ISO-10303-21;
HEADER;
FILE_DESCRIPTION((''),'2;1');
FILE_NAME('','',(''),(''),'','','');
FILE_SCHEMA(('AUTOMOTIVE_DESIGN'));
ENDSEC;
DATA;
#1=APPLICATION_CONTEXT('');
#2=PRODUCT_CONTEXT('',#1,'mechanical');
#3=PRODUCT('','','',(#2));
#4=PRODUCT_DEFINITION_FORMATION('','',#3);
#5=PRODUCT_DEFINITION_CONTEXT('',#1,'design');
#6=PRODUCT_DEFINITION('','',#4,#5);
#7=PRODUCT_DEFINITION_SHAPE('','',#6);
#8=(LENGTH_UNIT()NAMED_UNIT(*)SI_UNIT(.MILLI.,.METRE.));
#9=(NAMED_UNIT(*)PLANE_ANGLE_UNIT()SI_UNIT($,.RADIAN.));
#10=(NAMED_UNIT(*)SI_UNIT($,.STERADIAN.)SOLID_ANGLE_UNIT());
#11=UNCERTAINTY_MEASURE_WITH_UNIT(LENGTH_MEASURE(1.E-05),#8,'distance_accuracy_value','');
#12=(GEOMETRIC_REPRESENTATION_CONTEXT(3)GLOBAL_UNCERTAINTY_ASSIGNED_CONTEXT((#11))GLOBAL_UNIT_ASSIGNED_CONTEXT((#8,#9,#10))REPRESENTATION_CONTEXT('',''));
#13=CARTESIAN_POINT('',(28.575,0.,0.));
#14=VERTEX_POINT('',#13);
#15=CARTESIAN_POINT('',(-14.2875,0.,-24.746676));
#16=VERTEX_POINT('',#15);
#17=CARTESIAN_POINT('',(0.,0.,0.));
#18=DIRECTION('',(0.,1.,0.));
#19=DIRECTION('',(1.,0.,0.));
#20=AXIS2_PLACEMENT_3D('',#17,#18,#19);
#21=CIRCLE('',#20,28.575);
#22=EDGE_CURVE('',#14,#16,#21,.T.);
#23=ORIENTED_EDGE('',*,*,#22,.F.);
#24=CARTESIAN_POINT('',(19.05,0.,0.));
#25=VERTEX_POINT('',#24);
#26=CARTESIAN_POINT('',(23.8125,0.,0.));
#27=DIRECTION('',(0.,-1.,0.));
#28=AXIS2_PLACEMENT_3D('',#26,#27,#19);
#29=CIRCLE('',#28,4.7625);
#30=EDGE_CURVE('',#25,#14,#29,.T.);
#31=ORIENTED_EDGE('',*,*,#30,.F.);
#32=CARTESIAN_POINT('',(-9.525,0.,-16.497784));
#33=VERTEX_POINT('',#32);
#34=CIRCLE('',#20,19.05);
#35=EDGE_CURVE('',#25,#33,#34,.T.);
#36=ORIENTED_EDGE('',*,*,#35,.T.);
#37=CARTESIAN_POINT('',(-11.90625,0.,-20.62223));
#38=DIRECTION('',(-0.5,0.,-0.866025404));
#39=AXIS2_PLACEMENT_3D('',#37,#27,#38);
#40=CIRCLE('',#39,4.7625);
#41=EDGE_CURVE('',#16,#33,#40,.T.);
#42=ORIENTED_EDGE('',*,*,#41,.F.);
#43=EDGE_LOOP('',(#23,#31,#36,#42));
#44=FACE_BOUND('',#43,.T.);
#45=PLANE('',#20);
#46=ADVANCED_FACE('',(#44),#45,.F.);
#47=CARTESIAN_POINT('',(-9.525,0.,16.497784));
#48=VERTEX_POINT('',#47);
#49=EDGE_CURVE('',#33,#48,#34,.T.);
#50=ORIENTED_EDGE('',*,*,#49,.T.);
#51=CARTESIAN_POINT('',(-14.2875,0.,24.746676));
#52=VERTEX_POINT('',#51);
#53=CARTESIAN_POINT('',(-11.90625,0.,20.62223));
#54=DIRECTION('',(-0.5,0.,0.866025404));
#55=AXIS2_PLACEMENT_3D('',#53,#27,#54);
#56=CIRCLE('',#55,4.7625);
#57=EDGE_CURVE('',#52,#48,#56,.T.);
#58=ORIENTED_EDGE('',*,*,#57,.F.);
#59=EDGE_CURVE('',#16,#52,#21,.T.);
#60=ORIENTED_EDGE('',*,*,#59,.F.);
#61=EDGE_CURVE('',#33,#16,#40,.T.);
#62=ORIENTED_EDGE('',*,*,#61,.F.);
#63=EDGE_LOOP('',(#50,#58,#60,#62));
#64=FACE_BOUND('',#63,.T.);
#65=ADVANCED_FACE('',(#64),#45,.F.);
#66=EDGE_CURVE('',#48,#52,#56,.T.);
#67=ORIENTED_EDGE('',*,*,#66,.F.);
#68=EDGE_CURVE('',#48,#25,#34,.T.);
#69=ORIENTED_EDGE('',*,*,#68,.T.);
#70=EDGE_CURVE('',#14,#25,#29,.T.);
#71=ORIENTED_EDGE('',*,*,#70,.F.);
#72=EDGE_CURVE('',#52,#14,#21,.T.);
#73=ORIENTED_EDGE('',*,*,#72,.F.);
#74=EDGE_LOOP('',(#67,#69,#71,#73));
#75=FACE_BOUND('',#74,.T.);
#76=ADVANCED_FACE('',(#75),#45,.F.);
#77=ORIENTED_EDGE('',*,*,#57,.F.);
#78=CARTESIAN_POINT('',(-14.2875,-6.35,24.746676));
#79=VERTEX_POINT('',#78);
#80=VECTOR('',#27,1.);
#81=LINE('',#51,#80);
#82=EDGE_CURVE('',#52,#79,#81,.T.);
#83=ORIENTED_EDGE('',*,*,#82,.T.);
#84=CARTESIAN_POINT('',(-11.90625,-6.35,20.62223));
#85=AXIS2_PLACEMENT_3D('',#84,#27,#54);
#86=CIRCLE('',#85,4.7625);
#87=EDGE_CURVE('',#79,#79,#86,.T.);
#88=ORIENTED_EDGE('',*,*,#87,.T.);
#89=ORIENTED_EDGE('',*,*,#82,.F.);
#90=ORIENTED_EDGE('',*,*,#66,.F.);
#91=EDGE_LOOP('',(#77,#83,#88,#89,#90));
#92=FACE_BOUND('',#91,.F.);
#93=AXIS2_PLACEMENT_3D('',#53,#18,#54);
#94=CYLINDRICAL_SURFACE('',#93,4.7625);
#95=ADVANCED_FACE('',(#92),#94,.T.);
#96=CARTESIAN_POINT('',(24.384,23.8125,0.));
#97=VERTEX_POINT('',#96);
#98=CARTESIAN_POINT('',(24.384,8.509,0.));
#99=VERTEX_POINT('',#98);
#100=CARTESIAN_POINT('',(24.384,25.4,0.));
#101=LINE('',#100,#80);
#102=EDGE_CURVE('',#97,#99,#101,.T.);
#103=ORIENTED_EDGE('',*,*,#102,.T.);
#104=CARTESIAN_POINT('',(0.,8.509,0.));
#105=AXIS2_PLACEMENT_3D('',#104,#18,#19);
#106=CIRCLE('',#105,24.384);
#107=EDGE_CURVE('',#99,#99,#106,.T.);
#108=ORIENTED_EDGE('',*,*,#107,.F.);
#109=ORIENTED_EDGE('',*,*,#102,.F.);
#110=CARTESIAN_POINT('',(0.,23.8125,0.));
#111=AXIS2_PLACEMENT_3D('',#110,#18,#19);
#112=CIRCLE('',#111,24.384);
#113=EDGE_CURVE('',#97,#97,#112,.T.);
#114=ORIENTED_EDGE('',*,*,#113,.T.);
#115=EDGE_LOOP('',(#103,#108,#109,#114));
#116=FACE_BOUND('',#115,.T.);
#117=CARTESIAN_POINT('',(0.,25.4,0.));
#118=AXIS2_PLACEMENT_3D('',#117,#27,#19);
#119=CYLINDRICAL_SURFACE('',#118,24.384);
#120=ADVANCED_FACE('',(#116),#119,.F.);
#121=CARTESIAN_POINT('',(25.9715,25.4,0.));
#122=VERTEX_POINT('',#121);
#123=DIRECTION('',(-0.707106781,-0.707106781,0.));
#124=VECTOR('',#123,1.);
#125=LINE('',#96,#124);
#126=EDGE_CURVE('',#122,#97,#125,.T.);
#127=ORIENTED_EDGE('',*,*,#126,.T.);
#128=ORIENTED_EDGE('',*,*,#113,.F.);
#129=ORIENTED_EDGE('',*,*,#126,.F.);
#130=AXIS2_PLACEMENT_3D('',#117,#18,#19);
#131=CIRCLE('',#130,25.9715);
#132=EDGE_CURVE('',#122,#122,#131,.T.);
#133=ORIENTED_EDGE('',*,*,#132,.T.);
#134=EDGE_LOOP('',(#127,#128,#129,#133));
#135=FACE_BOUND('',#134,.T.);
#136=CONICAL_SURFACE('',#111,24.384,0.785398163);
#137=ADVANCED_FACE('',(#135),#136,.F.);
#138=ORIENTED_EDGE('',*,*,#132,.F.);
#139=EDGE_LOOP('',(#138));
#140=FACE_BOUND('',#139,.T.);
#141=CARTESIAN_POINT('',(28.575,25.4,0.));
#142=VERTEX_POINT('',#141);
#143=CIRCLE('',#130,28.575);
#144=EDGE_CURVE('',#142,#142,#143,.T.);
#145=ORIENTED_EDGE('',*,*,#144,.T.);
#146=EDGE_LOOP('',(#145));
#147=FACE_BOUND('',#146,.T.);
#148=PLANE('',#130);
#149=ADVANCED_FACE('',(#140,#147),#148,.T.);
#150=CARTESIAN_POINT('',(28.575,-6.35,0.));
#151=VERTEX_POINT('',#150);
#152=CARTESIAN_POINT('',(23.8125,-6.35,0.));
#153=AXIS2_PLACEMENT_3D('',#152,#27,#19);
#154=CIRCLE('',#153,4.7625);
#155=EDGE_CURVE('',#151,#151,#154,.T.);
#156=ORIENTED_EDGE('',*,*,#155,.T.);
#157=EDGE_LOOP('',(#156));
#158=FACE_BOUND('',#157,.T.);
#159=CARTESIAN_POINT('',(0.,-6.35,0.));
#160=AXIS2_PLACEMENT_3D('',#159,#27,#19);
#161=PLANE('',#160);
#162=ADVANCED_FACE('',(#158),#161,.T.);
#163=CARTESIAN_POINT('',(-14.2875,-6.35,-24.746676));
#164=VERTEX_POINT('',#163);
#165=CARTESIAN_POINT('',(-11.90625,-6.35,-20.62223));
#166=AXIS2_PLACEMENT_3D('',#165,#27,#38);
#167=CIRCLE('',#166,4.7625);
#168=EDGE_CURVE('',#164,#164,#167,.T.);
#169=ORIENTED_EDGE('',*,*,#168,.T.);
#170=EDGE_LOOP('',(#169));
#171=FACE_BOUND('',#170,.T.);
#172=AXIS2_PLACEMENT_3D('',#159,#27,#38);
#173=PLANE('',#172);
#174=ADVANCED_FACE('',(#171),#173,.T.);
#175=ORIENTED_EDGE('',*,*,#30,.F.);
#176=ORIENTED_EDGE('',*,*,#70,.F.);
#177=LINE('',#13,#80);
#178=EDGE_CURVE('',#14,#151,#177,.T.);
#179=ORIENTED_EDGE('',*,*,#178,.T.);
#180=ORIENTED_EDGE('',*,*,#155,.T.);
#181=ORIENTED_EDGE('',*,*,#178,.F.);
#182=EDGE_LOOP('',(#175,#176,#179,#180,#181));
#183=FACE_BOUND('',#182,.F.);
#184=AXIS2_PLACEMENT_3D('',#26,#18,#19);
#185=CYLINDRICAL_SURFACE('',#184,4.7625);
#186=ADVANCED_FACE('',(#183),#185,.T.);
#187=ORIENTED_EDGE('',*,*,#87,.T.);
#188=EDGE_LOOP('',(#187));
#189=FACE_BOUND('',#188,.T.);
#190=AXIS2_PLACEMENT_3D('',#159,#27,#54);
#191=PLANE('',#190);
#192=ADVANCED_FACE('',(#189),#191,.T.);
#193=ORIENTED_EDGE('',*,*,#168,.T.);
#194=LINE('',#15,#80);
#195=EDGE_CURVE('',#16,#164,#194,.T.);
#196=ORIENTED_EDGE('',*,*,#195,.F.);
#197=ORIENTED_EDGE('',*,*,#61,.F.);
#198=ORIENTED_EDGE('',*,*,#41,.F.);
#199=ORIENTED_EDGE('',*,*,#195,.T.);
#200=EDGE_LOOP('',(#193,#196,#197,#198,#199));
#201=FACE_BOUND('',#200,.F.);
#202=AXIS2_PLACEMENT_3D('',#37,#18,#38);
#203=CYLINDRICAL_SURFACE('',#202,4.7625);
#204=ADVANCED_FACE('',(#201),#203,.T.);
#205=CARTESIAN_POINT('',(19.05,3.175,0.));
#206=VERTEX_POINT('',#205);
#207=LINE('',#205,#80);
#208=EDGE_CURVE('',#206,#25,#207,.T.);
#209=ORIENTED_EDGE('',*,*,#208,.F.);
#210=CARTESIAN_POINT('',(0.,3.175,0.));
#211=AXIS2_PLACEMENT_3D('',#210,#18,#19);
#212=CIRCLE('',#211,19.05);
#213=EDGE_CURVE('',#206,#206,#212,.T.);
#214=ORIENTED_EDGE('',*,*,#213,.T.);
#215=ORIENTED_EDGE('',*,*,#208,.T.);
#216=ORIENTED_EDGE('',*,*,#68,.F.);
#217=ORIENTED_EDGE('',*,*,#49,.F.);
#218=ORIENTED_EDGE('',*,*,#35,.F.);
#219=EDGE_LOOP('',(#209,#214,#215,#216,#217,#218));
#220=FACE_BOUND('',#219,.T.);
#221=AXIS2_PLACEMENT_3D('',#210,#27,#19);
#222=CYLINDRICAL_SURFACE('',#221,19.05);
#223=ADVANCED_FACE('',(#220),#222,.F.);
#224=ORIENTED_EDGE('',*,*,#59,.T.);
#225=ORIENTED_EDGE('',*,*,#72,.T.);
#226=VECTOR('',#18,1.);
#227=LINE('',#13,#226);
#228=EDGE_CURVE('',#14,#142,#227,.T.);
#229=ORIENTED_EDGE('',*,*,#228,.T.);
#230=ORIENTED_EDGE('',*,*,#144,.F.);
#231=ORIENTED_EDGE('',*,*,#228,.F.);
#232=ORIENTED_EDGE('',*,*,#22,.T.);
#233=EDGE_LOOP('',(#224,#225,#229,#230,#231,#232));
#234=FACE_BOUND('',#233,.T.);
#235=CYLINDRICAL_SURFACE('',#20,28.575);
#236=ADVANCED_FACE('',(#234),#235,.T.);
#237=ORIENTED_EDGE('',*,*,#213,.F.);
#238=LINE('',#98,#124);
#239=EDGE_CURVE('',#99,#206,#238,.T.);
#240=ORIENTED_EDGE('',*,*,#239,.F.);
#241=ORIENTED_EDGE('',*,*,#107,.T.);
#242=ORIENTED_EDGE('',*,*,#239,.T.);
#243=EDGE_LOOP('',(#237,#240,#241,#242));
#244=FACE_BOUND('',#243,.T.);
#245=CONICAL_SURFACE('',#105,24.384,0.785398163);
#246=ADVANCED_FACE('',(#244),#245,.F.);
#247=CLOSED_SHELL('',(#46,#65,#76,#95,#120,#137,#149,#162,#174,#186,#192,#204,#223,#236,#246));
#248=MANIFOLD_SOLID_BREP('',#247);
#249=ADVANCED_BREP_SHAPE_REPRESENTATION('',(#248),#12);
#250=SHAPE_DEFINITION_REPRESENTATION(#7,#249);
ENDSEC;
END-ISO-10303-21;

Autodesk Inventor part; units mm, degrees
ref_plane "YZ Plane" through (0, 0, 0) normal (1, 0, 0) x (0, 1, 0)
ref_plane "XZ Plane" through (0, 0, 0) normal (0, 1, 0) x (-1, 0, 0)
ref_plane "XY Plane" through (0, 0, 0) normal (0, 0, 1) x (1, 0, 0)
sketch "Sketch1" plane through (0, 0, 0) normal (0, 0, 1) x (1, 0, 0)
  line L0 (19.05, 0) -> (28.575, 0)
  line L1 (28.575, 0) -> (28.575, 25.4)
  line L2 (28.575, 25.4) -> (24.384, 25.4)
  line L3 (24.384, 25.4) -> (24.384, 8.509)
  line L4 (24.384, 8.509) -> (19.05, 3.175)
  line L5 (19.05, 3.175) -> (19.05, 0)
  line L6 (0, -5.08) -> (0, 30.48) projected
  point P0 (0, 0)
  point P1 (24.384, 16.9545)
  dimension "d0" = 135
  dimension "d1" = 24.384
  dimension "d2" = 28.575
  dimension "d3" = 25.4
  dimension "d4" = 3.175
  dimension "d5" = 19.05
revolve "Revolution1" add sketch "Sketch1" angle 360 about axis through (0, -10, 0) along (0, 1, 0)
sketch "Sketch2" plane through (0, 0, 0) normal (0, -1, 0) x (1, 0, 0)
  circle A0 centre (0, 0) radius 28.575 construction
  circle A1 centre (0, 0) radius 19.05 construction
  circle A2 centre (23.8125, 0) radius 4.7625
extrude "Extrusion1" add sketch "Sketch2" along normal blind 6.35
pattern_circular "Circular Pattern1" count 3 over 360 about axis through (0, 12.7, 0) along (0, 1, 0) of "Extrusion1"
chamfer "Chamfer1" distance 1.5875 angle 45 1 edges at (-24.384, 25.4, 0)
properties part number "Base_3DPrint"
